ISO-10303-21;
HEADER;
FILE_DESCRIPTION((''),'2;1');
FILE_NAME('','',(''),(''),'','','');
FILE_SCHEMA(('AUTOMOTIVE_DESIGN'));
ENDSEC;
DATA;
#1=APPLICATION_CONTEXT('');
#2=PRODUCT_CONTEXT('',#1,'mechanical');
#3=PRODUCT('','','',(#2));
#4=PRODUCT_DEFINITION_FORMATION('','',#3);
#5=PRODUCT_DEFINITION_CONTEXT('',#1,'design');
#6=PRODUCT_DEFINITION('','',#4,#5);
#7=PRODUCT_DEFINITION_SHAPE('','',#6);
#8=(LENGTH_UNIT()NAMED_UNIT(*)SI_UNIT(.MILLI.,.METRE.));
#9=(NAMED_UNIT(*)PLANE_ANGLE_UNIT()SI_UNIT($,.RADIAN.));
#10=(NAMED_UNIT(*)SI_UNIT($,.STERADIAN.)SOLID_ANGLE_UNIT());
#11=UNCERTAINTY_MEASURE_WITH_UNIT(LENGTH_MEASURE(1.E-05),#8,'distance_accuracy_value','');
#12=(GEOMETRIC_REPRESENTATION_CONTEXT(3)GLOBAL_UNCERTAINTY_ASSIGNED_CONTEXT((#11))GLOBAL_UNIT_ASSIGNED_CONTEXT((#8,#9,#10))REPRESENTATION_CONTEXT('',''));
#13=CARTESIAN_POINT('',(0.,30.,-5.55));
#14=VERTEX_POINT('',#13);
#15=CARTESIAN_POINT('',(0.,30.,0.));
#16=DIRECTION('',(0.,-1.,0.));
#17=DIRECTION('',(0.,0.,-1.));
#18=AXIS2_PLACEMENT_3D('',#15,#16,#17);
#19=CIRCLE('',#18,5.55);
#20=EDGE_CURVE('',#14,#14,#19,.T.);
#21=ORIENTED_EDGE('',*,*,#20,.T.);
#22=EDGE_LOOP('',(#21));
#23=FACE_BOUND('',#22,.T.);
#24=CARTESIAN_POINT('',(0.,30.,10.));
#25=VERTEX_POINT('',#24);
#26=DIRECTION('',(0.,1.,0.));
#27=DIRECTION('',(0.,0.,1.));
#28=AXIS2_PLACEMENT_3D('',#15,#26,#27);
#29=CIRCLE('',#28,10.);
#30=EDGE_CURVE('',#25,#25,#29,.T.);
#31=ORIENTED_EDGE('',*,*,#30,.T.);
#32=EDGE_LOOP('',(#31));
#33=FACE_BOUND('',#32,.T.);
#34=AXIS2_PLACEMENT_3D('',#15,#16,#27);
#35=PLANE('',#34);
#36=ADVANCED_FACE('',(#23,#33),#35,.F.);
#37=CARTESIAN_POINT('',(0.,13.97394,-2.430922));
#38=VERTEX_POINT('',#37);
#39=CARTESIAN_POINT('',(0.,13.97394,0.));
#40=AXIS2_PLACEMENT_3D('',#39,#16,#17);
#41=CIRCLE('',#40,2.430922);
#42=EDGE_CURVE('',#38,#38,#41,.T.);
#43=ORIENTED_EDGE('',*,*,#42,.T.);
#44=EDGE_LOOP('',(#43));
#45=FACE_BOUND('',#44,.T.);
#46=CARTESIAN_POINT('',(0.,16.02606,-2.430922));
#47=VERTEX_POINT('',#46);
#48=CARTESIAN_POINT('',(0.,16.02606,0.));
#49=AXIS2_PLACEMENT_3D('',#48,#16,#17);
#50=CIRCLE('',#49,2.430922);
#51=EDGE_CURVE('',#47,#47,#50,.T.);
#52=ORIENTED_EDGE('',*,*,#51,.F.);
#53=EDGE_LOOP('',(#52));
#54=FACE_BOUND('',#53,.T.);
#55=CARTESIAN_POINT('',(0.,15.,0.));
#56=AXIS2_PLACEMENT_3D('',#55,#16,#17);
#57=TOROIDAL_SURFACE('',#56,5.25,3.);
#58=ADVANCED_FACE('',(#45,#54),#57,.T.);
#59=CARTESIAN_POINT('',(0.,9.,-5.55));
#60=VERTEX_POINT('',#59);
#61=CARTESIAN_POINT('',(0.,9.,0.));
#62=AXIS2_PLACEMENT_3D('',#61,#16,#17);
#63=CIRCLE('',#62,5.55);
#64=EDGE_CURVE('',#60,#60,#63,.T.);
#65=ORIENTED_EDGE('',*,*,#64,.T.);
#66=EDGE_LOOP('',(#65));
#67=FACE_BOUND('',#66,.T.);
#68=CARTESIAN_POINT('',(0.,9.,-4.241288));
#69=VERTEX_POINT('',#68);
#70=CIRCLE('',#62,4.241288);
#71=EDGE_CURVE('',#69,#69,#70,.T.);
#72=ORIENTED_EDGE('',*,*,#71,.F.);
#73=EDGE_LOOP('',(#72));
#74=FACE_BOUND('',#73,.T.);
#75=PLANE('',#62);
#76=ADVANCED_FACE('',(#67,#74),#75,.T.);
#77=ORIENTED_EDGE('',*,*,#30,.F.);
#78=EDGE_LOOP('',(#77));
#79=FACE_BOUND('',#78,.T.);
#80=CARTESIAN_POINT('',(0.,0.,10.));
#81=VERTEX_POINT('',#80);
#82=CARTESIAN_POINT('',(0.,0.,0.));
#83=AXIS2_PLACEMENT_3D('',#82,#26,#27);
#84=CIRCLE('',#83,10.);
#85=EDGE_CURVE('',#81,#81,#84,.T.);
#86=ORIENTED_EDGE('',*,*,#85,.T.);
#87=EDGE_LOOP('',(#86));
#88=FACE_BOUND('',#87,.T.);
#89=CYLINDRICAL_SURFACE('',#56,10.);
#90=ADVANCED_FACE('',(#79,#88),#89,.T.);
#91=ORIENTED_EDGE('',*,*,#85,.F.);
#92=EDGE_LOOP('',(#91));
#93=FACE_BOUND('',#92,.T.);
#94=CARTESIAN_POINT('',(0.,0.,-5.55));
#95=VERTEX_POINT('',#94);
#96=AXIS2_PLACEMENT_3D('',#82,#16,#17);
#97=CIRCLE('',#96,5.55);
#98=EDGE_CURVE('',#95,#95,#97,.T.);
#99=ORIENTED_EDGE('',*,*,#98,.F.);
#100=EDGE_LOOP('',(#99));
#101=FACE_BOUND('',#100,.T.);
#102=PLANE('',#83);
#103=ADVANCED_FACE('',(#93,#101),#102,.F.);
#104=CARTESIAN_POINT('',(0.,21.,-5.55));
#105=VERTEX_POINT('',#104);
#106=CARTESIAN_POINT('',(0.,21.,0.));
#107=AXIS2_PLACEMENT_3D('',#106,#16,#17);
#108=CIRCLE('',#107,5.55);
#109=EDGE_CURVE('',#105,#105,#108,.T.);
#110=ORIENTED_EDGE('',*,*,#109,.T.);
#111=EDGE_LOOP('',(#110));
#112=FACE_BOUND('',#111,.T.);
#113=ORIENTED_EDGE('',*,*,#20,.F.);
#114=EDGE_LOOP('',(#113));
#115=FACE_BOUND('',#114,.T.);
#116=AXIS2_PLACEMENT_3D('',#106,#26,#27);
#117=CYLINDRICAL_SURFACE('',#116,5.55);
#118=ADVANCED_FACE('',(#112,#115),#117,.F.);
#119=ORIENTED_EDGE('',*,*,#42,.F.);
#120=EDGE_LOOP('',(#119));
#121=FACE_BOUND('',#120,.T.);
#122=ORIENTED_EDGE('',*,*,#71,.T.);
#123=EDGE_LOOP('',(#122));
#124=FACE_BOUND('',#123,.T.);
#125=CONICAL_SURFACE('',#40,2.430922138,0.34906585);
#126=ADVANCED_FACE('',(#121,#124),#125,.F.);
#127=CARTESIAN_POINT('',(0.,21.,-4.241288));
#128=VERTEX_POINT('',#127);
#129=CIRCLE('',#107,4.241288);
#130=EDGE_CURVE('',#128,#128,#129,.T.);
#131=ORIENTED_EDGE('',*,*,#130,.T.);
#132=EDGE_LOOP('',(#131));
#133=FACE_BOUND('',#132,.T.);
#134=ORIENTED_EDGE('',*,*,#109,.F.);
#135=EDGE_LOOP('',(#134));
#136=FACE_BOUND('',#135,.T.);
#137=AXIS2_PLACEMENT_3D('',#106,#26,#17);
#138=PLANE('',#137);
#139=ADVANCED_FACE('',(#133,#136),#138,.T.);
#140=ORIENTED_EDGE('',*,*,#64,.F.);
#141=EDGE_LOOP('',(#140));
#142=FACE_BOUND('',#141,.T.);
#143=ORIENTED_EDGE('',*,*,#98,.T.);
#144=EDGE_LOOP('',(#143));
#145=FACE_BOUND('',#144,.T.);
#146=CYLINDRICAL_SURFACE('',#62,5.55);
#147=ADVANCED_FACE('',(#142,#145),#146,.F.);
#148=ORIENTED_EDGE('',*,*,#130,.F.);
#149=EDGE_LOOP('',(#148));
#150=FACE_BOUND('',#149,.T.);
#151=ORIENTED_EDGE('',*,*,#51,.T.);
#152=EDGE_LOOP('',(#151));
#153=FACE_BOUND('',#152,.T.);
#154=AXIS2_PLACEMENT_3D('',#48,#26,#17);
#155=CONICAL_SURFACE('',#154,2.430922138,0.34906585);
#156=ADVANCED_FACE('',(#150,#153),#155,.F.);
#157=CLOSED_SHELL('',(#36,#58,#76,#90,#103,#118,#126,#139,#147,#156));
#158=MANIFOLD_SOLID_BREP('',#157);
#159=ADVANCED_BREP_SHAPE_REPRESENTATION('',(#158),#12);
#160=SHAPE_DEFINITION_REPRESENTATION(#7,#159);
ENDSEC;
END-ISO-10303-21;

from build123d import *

# Parameters (mm, degrees)
SKETCH1_R           = 10
BOSS_EXTRUDE1_DEPTH = 15
SKETCH2_R           = 5.55
CUT_EXTRUDE1_DEPTH  = 9


with BuildPart() as part:
    # Sketch1 → Boss-Extrude1 (new body)
    with BuildSketch(Plane(origin=(0, 0, 0), x_dir=(1, 0, 0), z_dir=(0, 1, 0))):
        Circle(SKETCH1_R)
    boss_extrude1 = extrude(amount=BOSS_EXTRUDE1_DEPTH)

    # Sketch2 → Cut-Extrude1 (cut)
    with BuildSketch(Plane.XZ):
        Circle(SKETCH2_R)
    cut_extrude1 = extrude(amount=-CUT_EXTRUDE1_DEPTH, mode=Mode.SUBTRACT)

    # Sketch3 → Cut-Revolve3 (revolve, cut)
    with BuildSketch(Plane.XY):
        with BuildLine():
            Line((-4.241288088, 9), (0, 9))
            Line((0, 9), (0, 15))
            Line((0, 15), (-2.25, 15))
            ThreePointArc((-2.25, 15), (-2.295576741, 14.479055467), (-2.430922138, 13.97393957))
            Line((-2.430922138, 13.97393957), (-4.241288088, 9))
        make_face()
    cut_revolve3 = revolve(axis=Axis((0, 15, 0), (0, 1, 0)), mode=Mode.SUBTRACT)

    # Mirror1: Boss-Extrude1, Cut-Extrude1, Cut-Revolve3 across plane
    add(boss_extrude1.mirror(Plane.ZX.offset(15)))
    add(cut_extrude1.mirror(Plane.ZX.offset(15)), mode=Mode.SUBTRACT)
    add(cut_revolve3.mirror(Plane.ZX.offset(15)), mode=Mode.SUBTRACT)


solid = part.part
